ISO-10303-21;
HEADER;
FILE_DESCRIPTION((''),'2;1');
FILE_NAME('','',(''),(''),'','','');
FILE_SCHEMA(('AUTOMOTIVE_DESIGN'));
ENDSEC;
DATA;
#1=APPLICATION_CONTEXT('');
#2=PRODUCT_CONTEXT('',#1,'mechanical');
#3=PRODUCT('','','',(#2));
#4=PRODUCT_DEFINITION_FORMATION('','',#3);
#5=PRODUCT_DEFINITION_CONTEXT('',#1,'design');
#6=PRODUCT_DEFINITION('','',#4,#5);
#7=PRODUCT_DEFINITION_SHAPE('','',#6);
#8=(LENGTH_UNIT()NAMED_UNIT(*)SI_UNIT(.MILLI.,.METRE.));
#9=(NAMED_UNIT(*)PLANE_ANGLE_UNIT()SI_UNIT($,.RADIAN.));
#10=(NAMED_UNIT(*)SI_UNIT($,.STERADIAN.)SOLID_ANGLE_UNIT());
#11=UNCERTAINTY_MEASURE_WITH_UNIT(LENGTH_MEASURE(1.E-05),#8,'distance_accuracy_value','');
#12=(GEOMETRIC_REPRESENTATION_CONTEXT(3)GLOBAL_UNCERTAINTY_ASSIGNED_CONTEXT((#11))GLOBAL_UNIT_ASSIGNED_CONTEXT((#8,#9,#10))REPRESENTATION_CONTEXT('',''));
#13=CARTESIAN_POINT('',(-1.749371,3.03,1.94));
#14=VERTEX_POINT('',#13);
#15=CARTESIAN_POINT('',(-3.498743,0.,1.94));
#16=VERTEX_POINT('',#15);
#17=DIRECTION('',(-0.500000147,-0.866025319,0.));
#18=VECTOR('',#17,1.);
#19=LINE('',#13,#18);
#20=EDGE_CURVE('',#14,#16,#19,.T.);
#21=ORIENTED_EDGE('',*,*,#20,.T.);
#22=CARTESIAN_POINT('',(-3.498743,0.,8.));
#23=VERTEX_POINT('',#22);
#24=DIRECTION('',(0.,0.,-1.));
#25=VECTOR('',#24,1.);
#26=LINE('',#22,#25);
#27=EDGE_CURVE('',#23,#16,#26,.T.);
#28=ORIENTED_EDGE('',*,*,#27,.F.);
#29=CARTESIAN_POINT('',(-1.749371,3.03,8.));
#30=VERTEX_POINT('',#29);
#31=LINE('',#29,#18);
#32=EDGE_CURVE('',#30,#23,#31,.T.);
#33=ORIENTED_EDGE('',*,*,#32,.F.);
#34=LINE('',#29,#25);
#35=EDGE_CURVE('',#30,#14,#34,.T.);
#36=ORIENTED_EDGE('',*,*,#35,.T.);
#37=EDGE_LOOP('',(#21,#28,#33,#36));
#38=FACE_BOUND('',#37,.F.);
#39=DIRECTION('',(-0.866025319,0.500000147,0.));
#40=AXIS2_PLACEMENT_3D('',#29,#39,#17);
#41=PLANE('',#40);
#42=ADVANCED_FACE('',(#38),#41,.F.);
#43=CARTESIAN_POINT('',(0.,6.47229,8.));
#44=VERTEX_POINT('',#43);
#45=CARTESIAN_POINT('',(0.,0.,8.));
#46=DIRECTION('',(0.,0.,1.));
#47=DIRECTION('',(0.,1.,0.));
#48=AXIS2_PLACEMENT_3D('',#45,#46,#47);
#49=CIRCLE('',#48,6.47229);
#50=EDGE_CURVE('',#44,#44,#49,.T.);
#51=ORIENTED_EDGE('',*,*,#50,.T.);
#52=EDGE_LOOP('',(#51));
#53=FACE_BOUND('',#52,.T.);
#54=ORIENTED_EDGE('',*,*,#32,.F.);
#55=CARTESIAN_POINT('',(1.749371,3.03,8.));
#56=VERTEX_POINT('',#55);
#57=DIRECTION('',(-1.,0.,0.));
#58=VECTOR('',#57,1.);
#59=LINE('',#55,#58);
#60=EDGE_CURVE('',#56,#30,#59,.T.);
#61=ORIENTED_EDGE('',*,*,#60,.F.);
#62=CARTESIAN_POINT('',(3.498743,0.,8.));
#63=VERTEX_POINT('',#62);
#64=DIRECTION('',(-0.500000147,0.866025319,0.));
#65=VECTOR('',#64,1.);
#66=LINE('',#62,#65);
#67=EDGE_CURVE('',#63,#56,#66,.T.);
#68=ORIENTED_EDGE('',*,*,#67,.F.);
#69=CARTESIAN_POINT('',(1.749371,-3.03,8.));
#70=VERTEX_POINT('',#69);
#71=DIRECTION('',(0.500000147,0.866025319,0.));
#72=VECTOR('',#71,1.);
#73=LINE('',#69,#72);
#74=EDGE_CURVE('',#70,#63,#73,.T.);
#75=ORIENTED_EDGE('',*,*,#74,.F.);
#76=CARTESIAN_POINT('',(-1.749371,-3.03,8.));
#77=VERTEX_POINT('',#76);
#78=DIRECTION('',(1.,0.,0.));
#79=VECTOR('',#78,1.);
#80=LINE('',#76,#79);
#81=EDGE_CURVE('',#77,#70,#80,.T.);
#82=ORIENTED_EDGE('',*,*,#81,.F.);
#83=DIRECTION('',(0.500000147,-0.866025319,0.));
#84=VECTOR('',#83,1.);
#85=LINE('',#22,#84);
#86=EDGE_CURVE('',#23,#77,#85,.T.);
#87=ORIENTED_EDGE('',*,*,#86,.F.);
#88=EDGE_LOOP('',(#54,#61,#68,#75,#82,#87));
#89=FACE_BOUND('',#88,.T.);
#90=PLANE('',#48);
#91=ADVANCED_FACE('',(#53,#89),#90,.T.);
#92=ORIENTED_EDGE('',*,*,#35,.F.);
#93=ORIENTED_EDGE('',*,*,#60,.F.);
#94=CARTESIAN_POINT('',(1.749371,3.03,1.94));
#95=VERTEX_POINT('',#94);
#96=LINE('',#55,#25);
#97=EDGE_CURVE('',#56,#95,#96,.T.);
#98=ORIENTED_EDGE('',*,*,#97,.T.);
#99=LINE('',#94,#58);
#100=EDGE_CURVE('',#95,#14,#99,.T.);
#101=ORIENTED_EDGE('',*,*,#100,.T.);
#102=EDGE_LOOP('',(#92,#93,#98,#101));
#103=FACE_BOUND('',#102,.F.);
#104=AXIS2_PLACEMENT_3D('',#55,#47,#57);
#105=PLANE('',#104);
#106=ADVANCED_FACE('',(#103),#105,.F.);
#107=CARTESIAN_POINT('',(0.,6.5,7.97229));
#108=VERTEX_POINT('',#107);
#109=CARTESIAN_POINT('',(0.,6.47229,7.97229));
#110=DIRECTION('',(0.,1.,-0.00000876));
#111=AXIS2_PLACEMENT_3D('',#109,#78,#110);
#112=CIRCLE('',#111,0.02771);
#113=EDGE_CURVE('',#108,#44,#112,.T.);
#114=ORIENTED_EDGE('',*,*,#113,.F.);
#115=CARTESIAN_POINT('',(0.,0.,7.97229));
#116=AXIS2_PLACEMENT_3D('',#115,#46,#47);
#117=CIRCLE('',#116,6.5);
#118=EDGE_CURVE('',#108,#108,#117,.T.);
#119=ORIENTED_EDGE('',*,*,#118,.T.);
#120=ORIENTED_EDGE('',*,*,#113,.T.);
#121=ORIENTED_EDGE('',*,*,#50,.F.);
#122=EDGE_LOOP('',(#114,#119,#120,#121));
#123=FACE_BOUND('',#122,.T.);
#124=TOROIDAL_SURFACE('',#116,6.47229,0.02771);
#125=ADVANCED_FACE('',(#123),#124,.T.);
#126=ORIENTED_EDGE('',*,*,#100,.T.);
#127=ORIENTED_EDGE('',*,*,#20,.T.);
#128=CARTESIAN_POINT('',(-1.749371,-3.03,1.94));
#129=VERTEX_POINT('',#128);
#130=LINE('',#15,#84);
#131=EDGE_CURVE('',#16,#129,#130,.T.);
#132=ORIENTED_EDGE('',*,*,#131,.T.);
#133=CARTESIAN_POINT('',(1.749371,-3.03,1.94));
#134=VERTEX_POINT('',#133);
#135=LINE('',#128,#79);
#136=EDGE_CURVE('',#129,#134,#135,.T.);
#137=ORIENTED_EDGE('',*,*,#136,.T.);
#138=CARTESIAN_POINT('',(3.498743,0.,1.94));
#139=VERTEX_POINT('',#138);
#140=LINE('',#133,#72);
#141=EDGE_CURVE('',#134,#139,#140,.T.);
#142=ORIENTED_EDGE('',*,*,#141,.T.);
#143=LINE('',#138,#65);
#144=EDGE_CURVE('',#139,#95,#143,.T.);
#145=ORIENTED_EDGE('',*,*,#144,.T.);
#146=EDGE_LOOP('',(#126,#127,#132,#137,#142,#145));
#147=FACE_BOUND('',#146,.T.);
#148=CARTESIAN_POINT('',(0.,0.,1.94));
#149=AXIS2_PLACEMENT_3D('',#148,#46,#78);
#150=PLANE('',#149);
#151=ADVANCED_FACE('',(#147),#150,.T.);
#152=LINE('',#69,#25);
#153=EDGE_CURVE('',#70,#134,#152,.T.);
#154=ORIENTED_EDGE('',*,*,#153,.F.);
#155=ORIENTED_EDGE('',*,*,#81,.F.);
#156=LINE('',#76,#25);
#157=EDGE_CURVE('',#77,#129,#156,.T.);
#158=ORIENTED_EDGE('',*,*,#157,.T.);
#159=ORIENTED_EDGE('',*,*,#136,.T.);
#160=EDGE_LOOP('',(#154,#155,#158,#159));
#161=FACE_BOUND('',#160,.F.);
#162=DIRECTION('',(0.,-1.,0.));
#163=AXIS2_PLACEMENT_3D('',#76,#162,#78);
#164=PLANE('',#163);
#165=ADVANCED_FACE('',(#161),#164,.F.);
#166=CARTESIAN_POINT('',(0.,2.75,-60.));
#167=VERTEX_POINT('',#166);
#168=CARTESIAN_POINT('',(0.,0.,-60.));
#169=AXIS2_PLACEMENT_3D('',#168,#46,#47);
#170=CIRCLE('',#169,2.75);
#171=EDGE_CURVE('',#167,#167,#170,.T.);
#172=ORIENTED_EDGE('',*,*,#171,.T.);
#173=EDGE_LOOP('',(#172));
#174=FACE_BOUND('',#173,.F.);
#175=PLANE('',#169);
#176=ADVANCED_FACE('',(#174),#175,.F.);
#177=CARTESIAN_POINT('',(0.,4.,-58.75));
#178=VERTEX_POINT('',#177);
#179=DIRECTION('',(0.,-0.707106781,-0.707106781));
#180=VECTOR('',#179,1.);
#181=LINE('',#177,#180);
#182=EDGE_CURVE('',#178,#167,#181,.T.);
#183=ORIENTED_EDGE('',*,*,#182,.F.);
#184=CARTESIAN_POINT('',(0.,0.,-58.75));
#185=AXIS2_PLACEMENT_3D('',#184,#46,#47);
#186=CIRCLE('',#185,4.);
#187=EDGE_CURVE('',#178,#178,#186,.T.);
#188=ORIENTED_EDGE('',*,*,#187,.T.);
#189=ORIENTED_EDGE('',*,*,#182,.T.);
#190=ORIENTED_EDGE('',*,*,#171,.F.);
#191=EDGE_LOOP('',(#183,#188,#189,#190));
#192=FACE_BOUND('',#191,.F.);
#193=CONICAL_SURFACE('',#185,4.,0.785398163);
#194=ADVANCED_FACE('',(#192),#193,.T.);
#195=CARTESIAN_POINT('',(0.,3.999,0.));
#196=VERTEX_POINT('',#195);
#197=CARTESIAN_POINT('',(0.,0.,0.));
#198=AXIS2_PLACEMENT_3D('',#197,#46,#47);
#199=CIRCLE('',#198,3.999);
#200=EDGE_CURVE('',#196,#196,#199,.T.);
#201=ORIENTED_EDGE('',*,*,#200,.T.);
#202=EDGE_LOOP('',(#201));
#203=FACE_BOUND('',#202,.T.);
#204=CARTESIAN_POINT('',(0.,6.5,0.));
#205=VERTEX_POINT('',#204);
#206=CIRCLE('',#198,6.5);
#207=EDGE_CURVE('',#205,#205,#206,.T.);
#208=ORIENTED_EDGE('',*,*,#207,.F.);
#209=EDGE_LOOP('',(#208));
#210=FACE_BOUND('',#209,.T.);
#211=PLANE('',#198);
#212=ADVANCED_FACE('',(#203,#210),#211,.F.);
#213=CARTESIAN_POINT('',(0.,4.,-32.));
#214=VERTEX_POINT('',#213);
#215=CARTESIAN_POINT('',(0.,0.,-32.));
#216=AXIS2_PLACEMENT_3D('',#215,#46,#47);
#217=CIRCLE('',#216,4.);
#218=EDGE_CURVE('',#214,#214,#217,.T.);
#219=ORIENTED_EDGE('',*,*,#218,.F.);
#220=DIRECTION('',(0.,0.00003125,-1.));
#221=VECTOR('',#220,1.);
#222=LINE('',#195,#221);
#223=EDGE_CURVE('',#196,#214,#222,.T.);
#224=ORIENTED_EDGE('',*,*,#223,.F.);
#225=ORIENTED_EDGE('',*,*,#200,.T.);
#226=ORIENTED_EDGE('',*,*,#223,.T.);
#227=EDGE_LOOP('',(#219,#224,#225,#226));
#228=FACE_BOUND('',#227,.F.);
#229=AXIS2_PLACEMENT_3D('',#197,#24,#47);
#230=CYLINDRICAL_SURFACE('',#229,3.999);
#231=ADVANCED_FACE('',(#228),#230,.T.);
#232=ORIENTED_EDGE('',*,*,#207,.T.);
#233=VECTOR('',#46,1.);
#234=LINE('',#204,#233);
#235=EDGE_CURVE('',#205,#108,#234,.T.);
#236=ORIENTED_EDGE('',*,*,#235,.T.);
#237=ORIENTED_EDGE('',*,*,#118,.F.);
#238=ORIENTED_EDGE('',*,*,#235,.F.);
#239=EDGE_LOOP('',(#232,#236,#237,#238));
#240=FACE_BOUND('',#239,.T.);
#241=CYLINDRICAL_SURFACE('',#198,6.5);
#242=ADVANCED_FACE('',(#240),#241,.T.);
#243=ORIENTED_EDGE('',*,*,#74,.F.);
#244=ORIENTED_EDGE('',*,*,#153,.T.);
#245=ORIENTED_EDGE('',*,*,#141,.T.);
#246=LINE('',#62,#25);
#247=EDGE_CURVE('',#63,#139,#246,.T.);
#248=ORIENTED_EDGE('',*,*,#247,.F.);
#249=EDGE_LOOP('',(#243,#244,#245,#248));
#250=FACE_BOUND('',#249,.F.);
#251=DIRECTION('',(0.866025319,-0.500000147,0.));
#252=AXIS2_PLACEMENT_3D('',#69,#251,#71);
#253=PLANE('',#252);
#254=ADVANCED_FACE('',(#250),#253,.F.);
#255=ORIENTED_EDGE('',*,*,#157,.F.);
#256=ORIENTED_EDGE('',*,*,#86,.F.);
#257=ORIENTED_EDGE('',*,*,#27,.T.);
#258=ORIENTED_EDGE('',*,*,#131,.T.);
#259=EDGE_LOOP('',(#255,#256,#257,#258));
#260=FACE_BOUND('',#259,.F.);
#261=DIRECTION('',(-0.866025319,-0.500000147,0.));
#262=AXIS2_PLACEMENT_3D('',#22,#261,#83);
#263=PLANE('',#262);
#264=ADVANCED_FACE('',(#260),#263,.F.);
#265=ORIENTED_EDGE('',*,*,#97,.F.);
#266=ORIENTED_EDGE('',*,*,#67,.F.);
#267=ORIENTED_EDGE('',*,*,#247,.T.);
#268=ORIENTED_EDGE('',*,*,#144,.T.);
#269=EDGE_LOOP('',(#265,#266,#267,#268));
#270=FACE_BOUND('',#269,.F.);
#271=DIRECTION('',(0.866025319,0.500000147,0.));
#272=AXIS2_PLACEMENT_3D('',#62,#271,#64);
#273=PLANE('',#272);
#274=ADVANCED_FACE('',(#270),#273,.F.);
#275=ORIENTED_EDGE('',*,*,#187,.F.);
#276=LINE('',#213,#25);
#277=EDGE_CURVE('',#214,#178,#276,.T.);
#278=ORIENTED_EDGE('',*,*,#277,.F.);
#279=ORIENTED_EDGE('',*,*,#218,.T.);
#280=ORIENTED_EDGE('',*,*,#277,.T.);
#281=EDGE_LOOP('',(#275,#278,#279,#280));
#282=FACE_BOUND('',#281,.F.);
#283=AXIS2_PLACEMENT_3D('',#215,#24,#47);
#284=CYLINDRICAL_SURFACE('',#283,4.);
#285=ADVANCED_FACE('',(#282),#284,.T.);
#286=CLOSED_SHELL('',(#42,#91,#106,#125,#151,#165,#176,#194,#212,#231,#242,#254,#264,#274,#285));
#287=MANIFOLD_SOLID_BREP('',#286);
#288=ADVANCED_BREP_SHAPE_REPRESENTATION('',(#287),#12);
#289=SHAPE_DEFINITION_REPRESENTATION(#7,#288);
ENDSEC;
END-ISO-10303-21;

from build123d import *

# Parameters (mm, degrees)
POCKET_DEPTH = 6.06


with BuildPart() as part:
    # Sketch → Revolve (revolve)
    with BuildSketch(Plane.YZ):
        with BuildLine():
            Line((3.999, 0), (6.5, 0))
            Line((6.5, 0), (6.5, 7.97229))
            ThreePointArc((6.5, 7.97229), (6.491884, 7.991884), (6.47229, 8))
            Line((6.47229, 8), (0, 8))
            Line((0, -60), (0, 8))
            Line((2.75, -60), (0, -60))
            Line((4, -58.75), (2.75, -60))
            Line((4, -32), (4, -58.75))
            Line((3.999, 0), (4, -32))
        make_face()
    revolve(axis=Axis((0, 0, 0), (0, 0, 1)))

    # Sketch001 → Pocket (cut)
    with BuildSketch(Plane.XY.offset(8)):
        Polygon((3.498743, 0), (1.749371, 3.03), (-1.749371, 3.03), (-3.498743, 0), (-1.749371, -3.03), (1.749371, -3.03), align=None)
    extrude(amount=-POCKET_DEPTH, mode=Mode.SUBTRACT)


solid = part.part
